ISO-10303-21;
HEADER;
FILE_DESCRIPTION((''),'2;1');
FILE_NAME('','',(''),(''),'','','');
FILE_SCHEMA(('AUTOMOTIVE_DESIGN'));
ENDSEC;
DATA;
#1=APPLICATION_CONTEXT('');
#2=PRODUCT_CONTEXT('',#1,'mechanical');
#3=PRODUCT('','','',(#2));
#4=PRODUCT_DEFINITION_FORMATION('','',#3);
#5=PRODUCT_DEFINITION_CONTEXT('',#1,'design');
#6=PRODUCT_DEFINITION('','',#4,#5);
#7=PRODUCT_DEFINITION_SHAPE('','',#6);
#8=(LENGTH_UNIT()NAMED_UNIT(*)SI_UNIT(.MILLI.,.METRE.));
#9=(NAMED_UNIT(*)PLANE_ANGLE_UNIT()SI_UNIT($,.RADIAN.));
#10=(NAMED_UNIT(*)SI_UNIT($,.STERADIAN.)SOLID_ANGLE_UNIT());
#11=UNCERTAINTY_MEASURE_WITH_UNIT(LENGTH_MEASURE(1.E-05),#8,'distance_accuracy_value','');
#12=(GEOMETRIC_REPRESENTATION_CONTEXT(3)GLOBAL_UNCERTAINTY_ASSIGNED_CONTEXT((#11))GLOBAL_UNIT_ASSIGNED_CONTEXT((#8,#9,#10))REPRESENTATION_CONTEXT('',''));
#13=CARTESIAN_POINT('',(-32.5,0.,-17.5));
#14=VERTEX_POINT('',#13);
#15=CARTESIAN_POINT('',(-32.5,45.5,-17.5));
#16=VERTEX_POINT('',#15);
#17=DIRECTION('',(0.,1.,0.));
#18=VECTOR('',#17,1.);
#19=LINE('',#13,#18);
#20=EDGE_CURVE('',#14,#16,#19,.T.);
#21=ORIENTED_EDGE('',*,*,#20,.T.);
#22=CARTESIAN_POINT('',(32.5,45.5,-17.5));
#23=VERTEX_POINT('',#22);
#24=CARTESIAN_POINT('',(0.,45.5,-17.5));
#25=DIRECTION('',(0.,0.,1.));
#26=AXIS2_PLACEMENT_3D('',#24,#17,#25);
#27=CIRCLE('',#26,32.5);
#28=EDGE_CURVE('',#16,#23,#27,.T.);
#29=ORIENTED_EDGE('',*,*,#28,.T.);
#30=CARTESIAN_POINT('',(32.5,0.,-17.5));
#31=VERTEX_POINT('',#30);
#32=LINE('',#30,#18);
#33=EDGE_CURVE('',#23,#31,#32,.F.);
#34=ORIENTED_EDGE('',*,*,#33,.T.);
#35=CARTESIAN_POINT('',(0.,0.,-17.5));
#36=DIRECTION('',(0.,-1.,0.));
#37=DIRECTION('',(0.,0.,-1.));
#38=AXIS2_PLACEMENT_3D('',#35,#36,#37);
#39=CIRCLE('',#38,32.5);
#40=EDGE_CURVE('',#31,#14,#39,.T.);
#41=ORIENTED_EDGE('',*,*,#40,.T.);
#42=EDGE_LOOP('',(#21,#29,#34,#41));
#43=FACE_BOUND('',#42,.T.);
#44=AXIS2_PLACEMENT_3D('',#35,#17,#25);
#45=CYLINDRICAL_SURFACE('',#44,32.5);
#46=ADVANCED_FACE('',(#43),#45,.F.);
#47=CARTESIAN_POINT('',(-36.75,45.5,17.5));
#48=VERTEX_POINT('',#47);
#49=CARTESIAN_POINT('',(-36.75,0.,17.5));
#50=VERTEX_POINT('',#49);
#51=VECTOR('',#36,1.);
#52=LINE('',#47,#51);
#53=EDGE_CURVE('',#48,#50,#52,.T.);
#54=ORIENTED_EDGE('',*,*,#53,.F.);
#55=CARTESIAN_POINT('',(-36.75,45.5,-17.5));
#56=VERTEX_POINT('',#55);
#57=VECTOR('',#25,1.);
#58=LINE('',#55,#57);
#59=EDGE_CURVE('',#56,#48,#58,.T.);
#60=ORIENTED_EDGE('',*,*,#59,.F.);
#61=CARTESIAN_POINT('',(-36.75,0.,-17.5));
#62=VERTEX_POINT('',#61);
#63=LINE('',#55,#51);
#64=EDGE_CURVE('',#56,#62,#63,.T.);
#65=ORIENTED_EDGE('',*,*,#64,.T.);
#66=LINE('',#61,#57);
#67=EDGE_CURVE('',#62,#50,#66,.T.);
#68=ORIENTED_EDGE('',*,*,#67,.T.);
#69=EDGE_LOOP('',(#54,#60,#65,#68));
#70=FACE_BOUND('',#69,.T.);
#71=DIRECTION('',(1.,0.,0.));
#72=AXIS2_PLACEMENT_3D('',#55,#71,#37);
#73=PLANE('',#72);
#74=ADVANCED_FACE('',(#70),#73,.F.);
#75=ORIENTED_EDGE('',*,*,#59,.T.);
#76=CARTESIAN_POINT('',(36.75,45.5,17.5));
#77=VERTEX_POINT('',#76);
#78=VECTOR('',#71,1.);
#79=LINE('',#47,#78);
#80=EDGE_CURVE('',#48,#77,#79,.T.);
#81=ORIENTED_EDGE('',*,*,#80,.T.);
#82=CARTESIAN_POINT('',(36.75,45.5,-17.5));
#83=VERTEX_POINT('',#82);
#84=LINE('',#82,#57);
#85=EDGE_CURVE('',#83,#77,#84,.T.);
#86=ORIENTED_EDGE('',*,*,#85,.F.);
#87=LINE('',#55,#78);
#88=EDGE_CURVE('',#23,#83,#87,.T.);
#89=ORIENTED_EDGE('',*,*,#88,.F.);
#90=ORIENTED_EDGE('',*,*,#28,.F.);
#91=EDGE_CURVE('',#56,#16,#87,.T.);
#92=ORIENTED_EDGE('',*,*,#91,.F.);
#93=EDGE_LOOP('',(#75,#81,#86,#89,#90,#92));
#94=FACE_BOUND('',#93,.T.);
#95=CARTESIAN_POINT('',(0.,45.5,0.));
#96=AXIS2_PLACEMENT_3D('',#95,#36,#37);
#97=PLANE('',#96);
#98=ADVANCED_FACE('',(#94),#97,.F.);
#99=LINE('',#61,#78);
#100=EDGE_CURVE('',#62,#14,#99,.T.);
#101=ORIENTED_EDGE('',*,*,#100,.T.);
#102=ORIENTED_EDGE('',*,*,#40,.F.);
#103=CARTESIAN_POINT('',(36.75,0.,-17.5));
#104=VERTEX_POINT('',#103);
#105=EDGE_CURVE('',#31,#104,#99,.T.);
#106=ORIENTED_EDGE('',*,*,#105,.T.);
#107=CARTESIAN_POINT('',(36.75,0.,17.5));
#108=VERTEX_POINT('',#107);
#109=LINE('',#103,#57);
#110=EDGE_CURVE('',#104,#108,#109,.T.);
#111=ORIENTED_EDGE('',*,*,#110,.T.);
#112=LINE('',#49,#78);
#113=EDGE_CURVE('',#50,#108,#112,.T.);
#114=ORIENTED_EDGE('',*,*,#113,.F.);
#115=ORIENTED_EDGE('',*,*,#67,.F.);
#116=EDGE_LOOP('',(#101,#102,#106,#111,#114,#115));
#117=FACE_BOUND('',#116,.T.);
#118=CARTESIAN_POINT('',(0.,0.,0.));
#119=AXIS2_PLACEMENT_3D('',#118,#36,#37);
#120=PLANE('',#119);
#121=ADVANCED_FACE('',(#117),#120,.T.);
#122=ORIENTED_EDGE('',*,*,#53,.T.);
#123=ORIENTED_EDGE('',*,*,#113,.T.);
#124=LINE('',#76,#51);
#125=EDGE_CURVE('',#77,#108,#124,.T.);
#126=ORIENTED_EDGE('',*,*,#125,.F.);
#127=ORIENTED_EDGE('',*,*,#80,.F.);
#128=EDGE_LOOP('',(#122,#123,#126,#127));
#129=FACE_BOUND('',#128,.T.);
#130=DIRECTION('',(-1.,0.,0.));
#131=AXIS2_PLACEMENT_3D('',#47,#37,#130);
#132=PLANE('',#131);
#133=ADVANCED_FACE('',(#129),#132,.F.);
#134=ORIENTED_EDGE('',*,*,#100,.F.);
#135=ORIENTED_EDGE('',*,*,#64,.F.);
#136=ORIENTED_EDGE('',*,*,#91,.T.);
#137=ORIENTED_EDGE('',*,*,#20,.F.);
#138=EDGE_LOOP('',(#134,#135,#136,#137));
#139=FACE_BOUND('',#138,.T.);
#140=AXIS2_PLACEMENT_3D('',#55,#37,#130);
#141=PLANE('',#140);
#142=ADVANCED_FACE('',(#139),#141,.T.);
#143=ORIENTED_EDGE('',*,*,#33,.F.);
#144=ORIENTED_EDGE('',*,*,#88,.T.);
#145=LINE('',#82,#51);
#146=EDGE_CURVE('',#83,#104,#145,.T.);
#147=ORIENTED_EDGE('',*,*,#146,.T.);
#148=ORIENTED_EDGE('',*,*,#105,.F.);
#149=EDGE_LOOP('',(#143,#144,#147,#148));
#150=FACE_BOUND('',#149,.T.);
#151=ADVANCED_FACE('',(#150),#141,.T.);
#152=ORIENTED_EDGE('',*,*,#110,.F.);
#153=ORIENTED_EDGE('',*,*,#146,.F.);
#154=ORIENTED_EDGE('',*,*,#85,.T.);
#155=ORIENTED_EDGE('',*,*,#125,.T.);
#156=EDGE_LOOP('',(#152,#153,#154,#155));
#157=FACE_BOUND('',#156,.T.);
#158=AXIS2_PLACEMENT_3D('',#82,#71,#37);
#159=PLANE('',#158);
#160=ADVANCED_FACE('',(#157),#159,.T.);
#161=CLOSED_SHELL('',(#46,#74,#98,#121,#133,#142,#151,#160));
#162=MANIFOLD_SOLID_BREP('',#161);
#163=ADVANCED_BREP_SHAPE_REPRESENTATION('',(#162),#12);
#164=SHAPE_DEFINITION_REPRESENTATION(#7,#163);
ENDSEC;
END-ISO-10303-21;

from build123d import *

# Parameters (mm, degrees)
SKETCH1_W           = 73.5
SKETCH1_H           = 35
BOSS_EXTRUDE1_DEPTH = 45.5
SKETCH2_R           = 32.5
CUT_EXTRUDE1_DEPTH  = 62.049672399


with BuildPart() as part:
    # Sketch1 → Boss-Extrude1 (new body)
    with BuildSketch(Plane(origin=(0, 0, 0), x_dir=(1, 0, 0), z_dir=(0, 1, 0))):
        Rectangle(SKETCH1_W, SKETCH1_H)
    extrude(amount=BOSS_EXTRUDE1_DEPTH)

    # Sketch2 → Cut-Extrude1 (cut, through all)
    with BuildSketch(Plane(origin=(0, 45.5, 0), x_dir=(1, 0, 0), z_dir=(0, 1, 0))):
        with Locations((0, 17.5)):
            Circle(SKETCH2_R)
    extrude(amount=-CUT_EXTRUDE1_DEPTH, mode=Mode.SUBTRACT)


solid = part.part
